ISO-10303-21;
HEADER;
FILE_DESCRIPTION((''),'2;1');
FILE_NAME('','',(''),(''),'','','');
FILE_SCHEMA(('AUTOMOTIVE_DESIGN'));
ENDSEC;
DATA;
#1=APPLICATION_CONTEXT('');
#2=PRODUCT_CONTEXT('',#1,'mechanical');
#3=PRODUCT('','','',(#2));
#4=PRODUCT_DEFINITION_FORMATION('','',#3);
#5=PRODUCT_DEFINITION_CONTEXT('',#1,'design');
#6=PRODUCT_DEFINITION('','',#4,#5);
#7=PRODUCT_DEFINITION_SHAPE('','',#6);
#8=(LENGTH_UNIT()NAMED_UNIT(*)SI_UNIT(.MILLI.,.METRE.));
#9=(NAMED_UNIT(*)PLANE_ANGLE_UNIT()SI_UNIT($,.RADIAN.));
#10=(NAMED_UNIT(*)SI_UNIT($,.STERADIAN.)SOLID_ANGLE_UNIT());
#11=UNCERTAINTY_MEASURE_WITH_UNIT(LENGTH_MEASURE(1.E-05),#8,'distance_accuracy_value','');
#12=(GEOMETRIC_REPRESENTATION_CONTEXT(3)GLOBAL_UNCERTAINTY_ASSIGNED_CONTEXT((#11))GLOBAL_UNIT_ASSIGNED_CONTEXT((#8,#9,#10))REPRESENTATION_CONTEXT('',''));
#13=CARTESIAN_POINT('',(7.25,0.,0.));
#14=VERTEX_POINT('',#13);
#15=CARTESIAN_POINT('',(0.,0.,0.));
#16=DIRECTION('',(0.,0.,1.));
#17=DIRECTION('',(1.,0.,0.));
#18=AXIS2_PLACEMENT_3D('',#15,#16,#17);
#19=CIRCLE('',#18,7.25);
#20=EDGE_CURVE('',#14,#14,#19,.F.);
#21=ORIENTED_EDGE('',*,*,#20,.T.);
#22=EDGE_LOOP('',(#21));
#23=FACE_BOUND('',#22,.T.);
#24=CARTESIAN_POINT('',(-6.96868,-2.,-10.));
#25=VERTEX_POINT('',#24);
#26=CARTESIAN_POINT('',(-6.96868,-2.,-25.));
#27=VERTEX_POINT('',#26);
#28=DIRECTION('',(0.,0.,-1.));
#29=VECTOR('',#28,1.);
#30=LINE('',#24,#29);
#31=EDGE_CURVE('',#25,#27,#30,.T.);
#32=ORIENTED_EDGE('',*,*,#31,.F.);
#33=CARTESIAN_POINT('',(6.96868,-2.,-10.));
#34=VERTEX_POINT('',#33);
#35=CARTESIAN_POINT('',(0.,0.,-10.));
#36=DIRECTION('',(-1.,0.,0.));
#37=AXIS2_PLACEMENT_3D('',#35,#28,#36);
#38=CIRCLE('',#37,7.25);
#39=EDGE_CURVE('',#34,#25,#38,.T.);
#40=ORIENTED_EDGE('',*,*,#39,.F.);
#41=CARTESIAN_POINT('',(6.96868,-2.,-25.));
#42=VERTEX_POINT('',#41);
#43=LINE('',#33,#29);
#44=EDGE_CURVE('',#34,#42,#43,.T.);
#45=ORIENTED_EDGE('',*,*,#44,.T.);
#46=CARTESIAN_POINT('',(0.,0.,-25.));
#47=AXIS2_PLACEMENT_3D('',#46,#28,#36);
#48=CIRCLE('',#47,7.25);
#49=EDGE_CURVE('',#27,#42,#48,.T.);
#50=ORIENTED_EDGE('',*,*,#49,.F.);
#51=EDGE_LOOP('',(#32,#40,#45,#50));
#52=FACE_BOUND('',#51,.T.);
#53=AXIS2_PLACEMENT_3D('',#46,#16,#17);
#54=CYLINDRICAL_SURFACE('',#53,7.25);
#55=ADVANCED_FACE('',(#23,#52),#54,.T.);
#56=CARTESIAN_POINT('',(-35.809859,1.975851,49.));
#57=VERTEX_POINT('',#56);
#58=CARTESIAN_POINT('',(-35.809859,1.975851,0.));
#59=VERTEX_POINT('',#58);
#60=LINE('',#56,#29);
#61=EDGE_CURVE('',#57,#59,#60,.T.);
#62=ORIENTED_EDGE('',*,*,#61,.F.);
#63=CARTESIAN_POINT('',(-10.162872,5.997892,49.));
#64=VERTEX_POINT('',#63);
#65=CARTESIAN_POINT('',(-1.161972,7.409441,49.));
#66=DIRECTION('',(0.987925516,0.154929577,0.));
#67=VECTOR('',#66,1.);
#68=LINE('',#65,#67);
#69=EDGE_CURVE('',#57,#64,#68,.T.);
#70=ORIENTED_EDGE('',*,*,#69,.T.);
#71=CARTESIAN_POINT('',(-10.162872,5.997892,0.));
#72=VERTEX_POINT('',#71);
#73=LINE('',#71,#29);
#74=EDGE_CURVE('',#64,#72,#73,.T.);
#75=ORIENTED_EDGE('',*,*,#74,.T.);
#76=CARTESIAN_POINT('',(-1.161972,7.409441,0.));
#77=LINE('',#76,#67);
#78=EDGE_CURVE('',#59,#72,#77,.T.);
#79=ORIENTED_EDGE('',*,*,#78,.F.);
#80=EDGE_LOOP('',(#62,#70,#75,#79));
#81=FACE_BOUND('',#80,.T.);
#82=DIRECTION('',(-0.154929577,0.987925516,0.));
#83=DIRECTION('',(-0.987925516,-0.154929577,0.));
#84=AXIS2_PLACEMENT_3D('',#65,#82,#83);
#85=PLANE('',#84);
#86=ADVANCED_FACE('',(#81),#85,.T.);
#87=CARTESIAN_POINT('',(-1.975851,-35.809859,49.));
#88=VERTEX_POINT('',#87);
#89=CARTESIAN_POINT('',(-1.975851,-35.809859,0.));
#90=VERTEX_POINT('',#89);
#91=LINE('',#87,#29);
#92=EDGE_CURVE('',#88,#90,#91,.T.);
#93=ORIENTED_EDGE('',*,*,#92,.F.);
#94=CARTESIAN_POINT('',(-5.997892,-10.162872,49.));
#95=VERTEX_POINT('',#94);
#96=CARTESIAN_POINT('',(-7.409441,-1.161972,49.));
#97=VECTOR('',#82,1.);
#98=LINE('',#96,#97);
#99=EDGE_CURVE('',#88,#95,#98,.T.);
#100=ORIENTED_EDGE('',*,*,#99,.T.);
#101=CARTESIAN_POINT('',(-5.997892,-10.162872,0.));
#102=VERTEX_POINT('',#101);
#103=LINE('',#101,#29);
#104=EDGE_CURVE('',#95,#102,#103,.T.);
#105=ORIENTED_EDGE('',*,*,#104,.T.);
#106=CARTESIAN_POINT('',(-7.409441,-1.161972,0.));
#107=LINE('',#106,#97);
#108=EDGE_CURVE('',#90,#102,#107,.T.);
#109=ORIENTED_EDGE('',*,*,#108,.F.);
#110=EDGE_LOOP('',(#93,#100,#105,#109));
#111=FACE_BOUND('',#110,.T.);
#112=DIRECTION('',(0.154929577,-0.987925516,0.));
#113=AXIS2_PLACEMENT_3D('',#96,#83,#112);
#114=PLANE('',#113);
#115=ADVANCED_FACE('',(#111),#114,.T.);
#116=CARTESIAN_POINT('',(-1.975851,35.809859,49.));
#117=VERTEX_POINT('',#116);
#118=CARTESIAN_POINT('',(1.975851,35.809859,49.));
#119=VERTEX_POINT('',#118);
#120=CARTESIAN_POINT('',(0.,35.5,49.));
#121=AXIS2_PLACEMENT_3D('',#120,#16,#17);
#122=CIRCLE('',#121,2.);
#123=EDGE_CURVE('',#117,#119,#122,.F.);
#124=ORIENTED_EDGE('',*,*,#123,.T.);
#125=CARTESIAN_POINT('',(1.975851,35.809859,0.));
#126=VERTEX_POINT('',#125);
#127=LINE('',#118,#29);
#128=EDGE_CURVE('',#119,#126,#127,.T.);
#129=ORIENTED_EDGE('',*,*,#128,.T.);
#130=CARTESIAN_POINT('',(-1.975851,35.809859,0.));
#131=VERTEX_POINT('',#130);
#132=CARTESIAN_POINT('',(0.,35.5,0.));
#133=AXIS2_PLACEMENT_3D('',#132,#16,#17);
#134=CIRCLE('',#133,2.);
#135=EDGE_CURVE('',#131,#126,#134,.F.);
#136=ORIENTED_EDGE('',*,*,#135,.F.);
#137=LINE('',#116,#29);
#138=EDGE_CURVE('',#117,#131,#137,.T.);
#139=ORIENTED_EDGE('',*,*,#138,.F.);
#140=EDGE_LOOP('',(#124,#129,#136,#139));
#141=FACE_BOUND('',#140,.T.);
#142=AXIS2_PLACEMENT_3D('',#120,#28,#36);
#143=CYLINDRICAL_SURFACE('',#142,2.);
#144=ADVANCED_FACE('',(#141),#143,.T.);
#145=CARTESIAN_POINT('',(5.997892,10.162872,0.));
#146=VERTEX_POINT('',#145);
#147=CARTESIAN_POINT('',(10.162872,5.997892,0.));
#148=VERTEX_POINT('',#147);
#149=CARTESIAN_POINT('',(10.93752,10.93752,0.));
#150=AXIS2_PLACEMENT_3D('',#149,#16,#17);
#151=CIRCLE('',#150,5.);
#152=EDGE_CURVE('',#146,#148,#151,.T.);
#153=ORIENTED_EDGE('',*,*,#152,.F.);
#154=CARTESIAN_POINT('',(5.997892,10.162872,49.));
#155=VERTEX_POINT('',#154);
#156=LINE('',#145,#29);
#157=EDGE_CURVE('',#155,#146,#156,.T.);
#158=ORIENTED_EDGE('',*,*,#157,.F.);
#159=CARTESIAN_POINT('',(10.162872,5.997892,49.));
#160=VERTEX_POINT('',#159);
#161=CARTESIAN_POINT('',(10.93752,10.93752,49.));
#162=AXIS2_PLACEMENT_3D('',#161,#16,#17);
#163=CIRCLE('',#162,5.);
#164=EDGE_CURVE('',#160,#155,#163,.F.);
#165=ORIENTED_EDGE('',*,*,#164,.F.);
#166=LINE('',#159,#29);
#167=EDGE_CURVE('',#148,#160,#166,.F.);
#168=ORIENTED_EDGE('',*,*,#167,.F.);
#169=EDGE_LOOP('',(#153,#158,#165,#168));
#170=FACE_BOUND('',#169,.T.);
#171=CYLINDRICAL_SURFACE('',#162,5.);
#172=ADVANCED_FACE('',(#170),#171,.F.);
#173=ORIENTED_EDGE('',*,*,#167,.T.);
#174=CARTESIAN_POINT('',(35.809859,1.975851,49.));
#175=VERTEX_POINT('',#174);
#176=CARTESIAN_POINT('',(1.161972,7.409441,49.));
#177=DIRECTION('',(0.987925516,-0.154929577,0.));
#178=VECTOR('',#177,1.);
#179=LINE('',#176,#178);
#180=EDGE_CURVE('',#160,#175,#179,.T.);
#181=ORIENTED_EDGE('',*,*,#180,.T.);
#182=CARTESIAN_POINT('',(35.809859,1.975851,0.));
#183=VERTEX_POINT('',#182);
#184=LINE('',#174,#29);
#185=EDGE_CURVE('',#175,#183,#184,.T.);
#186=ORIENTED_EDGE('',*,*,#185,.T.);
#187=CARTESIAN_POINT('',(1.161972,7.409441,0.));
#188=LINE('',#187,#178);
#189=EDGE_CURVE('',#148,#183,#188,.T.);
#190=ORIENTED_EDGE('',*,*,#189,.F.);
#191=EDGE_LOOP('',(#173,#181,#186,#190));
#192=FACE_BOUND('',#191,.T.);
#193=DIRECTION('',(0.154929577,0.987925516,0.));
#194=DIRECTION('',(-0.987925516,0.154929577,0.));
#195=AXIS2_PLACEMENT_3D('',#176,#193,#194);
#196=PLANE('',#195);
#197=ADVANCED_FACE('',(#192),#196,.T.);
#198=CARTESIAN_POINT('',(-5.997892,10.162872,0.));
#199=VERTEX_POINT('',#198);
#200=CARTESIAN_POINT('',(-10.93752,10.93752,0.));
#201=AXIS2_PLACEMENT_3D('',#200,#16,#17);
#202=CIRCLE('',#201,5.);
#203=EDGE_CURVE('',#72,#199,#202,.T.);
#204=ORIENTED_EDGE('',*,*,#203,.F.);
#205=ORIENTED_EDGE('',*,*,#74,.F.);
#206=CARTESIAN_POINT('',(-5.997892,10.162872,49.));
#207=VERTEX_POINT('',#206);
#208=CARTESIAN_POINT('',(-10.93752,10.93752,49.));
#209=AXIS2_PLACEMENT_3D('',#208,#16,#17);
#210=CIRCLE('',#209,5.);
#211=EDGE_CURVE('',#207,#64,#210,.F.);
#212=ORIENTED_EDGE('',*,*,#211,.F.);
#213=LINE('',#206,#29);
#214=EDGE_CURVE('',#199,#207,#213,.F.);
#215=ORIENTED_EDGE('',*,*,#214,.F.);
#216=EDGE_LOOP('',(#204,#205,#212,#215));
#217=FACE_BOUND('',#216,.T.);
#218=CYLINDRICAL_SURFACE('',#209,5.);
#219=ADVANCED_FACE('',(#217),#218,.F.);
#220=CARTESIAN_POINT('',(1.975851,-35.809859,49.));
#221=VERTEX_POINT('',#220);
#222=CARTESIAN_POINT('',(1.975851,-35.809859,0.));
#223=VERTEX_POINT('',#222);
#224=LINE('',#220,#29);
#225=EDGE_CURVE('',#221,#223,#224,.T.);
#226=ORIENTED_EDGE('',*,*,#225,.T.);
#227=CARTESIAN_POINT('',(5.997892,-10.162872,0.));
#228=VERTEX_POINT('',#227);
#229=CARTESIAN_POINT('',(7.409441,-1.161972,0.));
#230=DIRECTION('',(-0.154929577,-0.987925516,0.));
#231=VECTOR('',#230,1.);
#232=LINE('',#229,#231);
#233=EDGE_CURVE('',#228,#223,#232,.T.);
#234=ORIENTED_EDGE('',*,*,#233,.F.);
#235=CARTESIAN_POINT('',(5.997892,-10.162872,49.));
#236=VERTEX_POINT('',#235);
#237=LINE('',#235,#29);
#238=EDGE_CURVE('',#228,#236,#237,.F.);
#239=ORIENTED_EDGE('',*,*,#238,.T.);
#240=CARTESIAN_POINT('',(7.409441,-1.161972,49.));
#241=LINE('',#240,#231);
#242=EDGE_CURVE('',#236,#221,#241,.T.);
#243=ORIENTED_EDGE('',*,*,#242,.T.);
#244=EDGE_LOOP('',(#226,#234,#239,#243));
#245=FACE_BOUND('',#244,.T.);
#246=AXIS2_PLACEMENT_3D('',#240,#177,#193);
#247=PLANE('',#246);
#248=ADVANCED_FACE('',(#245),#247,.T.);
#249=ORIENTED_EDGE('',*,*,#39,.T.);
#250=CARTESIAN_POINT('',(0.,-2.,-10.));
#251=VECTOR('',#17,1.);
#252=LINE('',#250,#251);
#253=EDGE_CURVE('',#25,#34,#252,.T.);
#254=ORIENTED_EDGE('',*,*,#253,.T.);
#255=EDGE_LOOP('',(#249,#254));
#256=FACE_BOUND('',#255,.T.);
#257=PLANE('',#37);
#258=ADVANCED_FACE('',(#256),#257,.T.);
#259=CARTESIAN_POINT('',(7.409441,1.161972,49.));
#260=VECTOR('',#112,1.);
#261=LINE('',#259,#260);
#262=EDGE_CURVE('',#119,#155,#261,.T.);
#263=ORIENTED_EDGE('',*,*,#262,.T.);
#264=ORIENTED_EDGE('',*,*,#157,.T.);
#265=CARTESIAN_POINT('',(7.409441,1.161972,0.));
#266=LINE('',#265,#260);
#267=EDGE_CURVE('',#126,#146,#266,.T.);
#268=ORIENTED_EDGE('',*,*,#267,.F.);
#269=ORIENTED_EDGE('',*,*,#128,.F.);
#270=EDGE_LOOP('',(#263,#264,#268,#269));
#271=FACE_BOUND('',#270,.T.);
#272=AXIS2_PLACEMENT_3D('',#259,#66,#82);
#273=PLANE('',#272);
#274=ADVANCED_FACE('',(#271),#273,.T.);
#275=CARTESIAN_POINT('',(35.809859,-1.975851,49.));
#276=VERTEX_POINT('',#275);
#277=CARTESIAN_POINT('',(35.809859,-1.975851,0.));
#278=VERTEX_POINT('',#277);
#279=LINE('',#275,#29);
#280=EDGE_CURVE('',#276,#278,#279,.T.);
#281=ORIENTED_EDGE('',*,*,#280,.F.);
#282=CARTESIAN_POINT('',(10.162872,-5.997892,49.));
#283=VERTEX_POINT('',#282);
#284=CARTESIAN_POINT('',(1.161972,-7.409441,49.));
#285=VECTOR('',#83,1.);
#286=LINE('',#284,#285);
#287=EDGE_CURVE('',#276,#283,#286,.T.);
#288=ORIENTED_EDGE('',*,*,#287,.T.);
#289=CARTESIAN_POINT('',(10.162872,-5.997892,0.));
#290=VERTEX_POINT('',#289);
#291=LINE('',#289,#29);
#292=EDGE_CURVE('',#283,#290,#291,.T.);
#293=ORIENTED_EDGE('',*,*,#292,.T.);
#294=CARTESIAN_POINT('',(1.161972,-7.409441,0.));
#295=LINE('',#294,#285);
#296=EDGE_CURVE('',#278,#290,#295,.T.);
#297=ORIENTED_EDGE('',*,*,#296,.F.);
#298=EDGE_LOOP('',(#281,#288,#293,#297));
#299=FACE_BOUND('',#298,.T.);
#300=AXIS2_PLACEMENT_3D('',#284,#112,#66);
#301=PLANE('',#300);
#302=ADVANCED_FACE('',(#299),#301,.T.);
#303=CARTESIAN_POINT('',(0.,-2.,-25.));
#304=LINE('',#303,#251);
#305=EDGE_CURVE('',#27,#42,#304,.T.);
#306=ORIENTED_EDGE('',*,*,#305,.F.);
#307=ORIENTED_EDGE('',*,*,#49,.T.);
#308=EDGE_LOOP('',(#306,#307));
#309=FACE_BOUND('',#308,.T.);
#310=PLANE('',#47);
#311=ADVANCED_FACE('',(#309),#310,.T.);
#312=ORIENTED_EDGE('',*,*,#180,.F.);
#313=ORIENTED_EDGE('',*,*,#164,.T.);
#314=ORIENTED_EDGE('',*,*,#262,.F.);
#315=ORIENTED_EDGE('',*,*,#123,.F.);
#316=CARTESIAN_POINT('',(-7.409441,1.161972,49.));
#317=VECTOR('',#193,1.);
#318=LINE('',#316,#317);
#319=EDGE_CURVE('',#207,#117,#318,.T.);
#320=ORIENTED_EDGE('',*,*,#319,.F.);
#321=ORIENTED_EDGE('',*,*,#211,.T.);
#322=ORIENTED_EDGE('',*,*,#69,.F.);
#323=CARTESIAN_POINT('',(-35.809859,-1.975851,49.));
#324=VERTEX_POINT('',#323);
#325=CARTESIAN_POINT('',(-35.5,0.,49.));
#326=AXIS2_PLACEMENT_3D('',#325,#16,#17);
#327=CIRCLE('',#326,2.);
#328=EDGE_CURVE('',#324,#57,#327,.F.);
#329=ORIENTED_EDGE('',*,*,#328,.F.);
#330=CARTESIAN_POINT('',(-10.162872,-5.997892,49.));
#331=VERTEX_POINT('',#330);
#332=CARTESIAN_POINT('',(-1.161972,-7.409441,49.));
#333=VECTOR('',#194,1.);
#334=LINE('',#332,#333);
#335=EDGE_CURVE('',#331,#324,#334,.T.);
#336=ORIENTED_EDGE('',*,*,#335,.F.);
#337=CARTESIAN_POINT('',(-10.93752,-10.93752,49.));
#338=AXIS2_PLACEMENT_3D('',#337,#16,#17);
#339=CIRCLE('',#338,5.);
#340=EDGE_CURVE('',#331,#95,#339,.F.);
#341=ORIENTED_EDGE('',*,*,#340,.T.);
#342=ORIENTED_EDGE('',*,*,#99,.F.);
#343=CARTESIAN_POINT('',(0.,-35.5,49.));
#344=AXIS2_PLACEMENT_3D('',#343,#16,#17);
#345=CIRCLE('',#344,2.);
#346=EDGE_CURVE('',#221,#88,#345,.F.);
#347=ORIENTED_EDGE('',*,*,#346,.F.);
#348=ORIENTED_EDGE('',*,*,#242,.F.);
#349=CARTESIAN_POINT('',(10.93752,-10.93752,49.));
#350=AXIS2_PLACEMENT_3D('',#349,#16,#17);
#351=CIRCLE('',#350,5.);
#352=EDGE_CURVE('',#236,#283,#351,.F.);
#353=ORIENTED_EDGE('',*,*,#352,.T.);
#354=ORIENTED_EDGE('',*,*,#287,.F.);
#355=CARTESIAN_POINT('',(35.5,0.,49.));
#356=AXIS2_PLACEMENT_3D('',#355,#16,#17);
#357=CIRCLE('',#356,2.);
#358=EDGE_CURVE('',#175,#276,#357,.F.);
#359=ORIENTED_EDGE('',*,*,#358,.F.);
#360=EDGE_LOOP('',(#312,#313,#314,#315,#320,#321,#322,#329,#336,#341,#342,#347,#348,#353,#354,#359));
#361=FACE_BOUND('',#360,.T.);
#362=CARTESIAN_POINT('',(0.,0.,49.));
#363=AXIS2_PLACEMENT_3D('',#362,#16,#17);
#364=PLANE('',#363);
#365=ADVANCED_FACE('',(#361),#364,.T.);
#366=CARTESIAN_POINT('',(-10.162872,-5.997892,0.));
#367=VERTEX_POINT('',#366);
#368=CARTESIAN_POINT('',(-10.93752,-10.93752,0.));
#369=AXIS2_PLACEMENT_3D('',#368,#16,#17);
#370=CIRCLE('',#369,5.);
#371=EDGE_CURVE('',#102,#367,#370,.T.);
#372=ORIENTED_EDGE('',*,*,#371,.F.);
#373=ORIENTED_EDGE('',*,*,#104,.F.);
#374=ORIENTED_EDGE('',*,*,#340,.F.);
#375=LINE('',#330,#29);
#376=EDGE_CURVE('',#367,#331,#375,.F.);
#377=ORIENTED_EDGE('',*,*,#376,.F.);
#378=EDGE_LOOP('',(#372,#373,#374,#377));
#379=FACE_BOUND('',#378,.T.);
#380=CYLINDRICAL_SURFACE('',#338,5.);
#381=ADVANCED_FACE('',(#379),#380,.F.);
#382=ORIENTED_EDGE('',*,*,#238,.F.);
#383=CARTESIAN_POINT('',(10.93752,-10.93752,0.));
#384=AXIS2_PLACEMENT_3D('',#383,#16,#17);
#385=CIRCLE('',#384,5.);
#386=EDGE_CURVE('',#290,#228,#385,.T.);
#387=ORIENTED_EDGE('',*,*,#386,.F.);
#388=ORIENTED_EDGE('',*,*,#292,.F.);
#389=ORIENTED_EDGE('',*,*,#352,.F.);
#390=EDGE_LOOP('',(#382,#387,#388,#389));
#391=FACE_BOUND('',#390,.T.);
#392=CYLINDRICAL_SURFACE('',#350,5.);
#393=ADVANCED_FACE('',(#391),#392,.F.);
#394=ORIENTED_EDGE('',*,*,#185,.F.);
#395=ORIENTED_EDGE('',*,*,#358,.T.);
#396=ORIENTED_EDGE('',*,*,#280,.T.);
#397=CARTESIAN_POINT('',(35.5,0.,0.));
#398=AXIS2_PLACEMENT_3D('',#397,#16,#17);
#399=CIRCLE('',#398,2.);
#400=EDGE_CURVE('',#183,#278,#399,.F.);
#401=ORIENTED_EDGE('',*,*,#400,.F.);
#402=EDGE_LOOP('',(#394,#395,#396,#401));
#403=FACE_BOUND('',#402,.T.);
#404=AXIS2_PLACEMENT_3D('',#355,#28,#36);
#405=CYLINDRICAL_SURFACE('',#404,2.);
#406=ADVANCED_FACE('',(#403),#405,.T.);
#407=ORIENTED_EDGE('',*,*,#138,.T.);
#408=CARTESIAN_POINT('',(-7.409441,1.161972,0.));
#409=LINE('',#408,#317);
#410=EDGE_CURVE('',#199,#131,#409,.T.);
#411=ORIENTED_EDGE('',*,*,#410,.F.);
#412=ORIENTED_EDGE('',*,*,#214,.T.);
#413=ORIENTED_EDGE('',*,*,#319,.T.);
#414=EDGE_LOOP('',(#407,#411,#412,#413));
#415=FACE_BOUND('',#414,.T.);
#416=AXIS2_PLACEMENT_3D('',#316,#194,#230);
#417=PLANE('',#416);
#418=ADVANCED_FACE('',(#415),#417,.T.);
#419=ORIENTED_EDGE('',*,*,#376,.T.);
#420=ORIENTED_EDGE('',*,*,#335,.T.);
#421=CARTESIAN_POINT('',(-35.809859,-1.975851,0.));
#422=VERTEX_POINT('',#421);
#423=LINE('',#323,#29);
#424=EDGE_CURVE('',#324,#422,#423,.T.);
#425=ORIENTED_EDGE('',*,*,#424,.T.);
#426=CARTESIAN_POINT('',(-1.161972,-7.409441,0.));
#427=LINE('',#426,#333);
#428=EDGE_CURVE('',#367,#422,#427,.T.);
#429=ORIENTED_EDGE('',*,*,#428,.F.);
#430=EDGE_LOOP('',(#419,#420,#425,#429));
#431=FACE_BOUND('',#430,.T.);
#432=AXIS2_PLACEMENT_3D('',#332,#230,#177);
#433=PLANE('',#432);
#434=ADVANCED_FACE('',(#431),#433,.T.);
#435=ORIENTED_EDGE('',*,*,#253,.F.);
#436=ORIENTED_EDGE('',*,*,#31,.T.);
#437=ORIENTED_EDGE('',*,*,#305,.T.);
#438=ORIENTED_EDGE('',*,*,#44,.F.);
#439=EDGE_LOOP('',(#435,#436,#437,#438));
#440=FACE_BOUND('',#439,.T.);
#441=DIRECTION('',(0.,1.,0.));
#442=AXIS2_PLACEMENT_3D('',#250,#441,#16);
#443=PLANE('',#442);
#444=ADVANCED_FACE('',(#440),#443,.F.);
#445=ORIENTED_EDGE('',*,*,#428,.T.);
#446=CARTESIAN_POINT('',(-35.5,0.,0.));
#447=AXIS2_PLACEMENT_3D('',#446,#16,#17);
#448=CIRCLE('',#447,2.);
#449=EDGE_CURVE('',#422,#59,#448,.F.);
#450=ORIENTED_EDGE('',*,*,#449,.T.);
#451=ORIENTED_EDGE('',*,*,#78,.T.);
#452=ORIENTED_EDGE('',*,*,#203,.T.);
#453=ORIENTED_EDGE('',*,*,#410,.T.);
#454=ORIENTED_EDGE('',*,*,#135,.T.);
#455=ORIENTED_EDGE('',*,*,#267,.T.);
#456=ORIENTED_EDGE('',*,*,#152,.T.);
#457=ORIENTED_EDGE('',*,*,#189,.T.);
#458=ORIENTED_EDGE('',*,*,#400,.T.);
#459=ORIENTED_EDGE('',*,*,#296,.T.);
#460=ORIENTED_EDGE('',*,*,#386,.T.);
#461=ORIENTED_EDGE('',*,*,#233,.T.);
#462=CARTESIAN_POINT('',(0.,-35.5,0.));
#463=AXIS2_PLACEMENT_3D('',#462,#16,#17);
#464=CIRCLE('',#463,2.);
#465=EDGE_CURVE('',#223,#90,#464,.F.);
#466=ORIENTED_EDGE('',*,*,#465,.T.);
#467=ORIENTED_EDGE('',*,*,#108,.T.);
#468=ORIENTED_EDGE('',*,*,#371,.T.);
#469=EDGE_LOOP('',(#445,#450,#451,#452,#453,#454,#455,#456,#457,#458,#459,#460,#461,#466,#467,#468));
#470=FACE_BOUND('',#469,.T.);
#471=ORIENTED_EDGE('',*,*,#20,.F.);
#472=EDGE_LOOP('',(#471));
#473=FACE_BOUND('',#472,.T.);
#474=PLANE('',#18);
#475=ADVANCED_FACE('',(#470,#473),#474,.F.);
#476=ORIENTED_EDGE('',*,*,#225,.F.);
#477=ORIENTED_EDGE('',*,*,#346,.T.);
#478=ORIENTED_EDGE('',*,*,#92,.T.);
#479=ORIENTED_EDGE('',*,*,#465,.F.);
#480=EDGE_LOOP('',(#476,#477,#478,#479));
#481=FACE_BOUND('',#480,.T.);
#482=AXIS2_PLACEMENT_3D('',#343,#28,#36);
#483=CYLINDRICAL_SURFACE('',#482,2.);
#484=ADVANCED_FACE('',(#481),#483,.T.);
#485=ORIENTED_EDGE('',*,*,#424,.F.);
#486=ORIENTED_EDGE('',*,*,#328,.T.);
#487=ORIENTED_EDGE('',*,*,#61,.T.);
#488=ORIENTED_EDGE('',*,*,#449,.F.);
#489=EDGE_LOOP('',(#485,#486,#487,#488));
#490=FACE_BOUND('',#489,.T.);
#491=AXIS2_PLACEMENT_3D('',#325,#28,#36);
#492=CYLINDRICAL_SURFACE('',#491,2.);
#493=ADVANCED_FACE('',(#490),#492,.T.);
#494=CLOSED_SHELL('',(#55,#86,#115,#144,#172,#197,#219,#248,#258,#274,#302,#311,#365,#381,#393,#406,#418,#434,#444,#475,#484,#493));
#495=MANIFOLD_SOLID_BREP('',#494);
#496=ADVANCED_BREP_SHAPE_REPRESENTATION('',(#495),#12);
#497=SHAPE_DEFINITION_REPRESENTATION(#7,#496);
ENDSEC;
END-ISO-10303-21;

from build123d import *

# Parameters (mm, degrees)
BOSS_EXTRUDE1_DEPTH = 49
FILLET1_R           = 5
SKETCH2_R           = 7.25
BOSS_EXTRUDE2_DEPTH = 25
CUT_EXTRUDE1_START  = -15
CUT_EXTRUDE1_DEPTH  = 15


with BuildPart() as part:
    # Sketch1 → Boss-Extrude1 (new body)
    with BuildSketch(Plane.XY):
        with BuildLine():
            Line((-6.562511766, 6.562511766), (-1.975851033, 35.809859155))
            ThreePointArc((-1.975851033, 35.809859155), (0, 37.5), (1.975851033, 35.809859155))
            Line((1.975851033, 35.809859155), (6.562511766, 6.562511766))
            Line((6.562511766, 6.562511766), (35.809859155, 1.975851033))
            ThreePointArc((35.809859155, 1.975851033), (37.5, 0), (35.809859155, -1.975851033))
            Line((35.809859155, -1.975851033), (6.562511766, -6.562511766))
            Line((6.562511766, -6.562511766), (1.975851033, -35.809859155))
            ThreePointArc((1.975851033, -35.809859155), (0, -37.5), (-1.975851033, -35.809859155))
            Line((-1.975851033, -35.809859155), (-6.562511766, -6.562511766))
            Line((-6.562511766, -6.562511766), (-35.809859155, -1.975851033))
            ThreePointArc((-35.809859155, -1.975851033), (-37.5, 0), (-35.809859155, 1.975851033))
            Line((-35.809859155, 1.975851033), (-6.562511766, 6.562511766))
        make_face()
    extrude(amount=BOSS_EXTRUDE1_DEPTH)

    # Fillet1
    fillet1_edges = [part.edges().sort_by_distance(p)[0] for p in [
        (-6.562511766, 6.562511766, 24.5),
        (6.562511766, 6.562511766, 24.5),
        (6.562511766, -6.562511766, 24.5),
        (-6.562511766, -6.562511766, 24.5),
    ]]
    fillet(fillet1_edges, radius=FILLET1_R)

    # Sketch2 → Boss-Extrude2 (add)
    with BuildSketch(Plane(origin=(0, 0, 0), x_dir=(-1, 0, 0), z_dir=(0, 0, -1))):
        with Locations(Location((0, 0, 0), (0, 0, 180))):
            Circle(SKETCH2_R)
    extrude(amount=BOSS_EXTRUDE2_DEPTH)

    # Sketch3 → Cut-Extrude1 (cut)
    with BuildSketch(Plane(origin=(0, 0, -25), x_dir=(-1, 0, 0), z_dir=(0, 0, -1)).offset(CUT_EXTRUDE1_START)):
        with BuildLine():
            Line((6.968679932, -2), (-6.968679932, -2))
            ThreePointArc((-6.968679932, -2), (0, -7.25), (6.968679932, -2))
        make_face()
    extrude(amount=CUT_EXTRUDE1_DEPTH, mode=Mode.SUBTRACT)


solid = part.part
